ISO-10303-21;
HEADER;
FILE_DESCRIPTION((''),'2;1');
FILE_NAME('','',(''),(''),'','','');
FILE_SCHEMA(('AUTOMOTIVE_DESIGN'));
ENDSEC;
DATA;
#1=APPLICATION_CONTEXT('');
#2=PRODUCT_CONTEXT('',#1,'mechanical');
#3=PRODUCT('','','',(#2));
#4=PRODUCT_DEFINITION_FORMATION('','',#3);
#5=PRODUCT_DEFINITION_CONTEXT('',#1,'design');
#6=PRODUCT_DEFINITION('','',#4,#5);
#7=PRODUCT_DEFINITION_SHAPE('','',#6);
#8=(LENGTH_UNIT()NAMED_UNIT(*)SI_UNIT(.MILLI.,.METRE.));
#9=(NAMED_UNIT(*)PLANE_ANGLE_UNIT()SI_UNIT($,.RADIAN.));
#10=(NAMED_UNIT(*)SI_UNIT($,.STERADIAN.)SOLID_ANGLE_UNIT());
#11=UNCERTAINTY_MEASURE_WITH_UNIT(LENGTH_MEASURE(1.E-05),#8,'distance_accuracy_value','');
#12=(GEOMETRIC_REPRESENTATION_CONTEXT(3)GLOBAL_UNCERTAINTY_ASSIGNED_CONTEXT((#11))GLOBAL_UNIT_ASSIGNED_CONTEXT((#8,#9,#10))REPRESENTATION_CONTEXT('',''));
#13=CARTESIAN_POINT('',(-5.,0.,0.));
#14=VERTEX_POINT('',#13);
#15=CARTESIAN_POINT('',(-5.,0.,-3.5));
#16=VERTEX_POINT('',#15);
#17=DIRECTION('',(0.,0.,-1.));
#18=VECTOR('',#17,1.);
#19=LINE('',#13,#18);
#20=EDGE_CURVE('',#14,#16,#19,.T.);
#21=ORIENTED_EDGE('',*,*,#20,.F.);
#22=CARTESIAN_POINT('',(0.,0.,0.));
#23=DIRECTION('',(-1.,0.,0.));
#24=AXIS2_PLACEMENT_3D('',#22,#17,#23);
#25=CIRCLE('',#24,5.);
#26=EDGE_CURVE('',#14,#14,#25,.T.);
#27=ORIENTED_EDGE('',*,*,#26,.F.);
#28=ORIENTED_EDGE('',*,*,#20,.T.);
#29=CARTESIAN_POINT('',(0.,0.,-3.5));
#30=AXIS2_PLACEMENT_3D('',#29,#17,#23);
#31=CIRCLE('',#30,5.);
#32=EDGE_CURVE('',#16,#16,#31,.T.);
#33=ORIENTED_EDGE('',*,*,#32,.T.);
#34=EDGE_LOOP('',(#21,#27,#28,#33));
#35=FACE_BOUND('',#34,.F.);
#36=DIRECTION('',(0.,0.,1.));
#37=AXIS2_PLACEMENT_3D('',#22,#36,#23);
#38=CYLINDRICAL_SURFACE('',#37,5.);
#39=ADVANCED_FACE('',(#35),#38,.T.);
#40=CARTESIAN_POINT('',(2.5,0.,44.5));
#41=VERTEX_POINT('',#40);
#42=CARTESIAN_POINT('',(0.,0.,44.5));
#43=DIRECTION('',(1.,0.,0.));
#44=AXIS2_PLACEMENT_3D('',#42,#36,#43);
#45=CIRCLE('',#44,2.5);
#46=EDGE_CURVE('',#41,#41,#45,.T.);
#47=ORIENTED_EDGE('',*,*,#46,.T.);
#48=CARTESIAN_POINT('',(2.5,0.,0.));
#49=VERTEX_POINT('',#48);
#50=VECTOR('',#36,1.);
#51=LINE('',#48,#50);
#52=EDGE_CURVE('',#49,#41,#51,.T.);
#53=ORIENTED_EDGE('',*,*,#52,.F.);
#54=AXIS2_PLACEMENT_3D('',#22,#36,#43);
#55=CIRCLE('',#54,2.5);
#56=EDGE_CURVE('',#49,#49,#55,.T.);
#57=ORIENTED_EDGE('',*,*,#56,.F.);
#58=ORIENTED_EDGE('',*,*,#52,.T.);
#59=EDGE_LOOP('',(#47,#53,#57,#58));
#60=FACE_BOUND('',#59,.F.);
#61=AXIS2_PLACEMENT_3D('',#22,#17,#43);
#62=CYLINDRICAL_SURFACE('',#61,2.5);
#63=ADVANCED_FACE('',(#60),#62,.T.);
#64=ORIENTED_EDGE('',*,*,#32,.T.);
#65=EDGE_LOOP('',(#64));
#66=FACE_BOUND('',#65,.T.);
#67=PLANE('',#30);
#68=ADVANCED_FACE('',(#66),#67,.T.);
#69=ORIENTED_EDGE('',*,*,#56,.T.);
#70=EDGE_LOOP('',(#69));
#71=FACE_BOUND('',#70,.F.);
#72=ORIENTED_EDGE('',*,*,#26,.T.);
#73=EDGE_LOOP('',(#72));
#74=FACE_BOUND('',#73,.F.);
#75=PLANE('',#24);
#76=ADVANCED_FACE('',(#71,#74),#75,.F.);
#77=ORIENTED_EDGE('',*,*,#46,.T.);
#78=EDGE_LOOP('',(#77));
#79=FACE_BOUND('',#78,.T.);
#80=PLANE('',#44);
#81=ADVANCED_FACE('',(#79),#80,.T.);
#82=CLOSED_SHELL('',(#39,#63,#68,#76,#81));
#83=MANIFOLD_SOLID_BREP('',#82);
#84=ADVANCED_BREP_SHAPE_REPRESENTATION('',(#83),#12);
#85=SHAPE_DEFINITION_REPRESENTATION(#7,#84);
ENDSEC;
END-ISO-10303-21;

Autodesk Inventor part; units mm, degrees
ref_plane "YZ Plane" through (0, 0, 0) normal (1, 0, 0) x (0, 1, 0)
ref_plane "XZ Plane" through (0, 0, 0) normal (0, 1, 0) x (-1, 0, 0)
ref_plane "XY Plane" through (0, 0, 0) normal (0, 0, 1) x (1, 0, 0)
sketch "스케치1" plane through (0, 0, 0) normal (0, 0, 1) x (1, 0, 0)
  circle A0 centre (0, 0) radius 2.5
  dimension "d0" = 5
extrude "돌출1" add sketch "스케치1" along normal blind 44.5
sketch "스케치2" plane through (0, 0, 0) normal (0, 0, -1) x (-1, 0, 0)
  circle A0 centre (0, 0) radius 5
  dimension "d4" = 10
extrude "돌출2" add sketch "스케치2" along normal blind 3.5
properties part number "Ball joint Bolt"
